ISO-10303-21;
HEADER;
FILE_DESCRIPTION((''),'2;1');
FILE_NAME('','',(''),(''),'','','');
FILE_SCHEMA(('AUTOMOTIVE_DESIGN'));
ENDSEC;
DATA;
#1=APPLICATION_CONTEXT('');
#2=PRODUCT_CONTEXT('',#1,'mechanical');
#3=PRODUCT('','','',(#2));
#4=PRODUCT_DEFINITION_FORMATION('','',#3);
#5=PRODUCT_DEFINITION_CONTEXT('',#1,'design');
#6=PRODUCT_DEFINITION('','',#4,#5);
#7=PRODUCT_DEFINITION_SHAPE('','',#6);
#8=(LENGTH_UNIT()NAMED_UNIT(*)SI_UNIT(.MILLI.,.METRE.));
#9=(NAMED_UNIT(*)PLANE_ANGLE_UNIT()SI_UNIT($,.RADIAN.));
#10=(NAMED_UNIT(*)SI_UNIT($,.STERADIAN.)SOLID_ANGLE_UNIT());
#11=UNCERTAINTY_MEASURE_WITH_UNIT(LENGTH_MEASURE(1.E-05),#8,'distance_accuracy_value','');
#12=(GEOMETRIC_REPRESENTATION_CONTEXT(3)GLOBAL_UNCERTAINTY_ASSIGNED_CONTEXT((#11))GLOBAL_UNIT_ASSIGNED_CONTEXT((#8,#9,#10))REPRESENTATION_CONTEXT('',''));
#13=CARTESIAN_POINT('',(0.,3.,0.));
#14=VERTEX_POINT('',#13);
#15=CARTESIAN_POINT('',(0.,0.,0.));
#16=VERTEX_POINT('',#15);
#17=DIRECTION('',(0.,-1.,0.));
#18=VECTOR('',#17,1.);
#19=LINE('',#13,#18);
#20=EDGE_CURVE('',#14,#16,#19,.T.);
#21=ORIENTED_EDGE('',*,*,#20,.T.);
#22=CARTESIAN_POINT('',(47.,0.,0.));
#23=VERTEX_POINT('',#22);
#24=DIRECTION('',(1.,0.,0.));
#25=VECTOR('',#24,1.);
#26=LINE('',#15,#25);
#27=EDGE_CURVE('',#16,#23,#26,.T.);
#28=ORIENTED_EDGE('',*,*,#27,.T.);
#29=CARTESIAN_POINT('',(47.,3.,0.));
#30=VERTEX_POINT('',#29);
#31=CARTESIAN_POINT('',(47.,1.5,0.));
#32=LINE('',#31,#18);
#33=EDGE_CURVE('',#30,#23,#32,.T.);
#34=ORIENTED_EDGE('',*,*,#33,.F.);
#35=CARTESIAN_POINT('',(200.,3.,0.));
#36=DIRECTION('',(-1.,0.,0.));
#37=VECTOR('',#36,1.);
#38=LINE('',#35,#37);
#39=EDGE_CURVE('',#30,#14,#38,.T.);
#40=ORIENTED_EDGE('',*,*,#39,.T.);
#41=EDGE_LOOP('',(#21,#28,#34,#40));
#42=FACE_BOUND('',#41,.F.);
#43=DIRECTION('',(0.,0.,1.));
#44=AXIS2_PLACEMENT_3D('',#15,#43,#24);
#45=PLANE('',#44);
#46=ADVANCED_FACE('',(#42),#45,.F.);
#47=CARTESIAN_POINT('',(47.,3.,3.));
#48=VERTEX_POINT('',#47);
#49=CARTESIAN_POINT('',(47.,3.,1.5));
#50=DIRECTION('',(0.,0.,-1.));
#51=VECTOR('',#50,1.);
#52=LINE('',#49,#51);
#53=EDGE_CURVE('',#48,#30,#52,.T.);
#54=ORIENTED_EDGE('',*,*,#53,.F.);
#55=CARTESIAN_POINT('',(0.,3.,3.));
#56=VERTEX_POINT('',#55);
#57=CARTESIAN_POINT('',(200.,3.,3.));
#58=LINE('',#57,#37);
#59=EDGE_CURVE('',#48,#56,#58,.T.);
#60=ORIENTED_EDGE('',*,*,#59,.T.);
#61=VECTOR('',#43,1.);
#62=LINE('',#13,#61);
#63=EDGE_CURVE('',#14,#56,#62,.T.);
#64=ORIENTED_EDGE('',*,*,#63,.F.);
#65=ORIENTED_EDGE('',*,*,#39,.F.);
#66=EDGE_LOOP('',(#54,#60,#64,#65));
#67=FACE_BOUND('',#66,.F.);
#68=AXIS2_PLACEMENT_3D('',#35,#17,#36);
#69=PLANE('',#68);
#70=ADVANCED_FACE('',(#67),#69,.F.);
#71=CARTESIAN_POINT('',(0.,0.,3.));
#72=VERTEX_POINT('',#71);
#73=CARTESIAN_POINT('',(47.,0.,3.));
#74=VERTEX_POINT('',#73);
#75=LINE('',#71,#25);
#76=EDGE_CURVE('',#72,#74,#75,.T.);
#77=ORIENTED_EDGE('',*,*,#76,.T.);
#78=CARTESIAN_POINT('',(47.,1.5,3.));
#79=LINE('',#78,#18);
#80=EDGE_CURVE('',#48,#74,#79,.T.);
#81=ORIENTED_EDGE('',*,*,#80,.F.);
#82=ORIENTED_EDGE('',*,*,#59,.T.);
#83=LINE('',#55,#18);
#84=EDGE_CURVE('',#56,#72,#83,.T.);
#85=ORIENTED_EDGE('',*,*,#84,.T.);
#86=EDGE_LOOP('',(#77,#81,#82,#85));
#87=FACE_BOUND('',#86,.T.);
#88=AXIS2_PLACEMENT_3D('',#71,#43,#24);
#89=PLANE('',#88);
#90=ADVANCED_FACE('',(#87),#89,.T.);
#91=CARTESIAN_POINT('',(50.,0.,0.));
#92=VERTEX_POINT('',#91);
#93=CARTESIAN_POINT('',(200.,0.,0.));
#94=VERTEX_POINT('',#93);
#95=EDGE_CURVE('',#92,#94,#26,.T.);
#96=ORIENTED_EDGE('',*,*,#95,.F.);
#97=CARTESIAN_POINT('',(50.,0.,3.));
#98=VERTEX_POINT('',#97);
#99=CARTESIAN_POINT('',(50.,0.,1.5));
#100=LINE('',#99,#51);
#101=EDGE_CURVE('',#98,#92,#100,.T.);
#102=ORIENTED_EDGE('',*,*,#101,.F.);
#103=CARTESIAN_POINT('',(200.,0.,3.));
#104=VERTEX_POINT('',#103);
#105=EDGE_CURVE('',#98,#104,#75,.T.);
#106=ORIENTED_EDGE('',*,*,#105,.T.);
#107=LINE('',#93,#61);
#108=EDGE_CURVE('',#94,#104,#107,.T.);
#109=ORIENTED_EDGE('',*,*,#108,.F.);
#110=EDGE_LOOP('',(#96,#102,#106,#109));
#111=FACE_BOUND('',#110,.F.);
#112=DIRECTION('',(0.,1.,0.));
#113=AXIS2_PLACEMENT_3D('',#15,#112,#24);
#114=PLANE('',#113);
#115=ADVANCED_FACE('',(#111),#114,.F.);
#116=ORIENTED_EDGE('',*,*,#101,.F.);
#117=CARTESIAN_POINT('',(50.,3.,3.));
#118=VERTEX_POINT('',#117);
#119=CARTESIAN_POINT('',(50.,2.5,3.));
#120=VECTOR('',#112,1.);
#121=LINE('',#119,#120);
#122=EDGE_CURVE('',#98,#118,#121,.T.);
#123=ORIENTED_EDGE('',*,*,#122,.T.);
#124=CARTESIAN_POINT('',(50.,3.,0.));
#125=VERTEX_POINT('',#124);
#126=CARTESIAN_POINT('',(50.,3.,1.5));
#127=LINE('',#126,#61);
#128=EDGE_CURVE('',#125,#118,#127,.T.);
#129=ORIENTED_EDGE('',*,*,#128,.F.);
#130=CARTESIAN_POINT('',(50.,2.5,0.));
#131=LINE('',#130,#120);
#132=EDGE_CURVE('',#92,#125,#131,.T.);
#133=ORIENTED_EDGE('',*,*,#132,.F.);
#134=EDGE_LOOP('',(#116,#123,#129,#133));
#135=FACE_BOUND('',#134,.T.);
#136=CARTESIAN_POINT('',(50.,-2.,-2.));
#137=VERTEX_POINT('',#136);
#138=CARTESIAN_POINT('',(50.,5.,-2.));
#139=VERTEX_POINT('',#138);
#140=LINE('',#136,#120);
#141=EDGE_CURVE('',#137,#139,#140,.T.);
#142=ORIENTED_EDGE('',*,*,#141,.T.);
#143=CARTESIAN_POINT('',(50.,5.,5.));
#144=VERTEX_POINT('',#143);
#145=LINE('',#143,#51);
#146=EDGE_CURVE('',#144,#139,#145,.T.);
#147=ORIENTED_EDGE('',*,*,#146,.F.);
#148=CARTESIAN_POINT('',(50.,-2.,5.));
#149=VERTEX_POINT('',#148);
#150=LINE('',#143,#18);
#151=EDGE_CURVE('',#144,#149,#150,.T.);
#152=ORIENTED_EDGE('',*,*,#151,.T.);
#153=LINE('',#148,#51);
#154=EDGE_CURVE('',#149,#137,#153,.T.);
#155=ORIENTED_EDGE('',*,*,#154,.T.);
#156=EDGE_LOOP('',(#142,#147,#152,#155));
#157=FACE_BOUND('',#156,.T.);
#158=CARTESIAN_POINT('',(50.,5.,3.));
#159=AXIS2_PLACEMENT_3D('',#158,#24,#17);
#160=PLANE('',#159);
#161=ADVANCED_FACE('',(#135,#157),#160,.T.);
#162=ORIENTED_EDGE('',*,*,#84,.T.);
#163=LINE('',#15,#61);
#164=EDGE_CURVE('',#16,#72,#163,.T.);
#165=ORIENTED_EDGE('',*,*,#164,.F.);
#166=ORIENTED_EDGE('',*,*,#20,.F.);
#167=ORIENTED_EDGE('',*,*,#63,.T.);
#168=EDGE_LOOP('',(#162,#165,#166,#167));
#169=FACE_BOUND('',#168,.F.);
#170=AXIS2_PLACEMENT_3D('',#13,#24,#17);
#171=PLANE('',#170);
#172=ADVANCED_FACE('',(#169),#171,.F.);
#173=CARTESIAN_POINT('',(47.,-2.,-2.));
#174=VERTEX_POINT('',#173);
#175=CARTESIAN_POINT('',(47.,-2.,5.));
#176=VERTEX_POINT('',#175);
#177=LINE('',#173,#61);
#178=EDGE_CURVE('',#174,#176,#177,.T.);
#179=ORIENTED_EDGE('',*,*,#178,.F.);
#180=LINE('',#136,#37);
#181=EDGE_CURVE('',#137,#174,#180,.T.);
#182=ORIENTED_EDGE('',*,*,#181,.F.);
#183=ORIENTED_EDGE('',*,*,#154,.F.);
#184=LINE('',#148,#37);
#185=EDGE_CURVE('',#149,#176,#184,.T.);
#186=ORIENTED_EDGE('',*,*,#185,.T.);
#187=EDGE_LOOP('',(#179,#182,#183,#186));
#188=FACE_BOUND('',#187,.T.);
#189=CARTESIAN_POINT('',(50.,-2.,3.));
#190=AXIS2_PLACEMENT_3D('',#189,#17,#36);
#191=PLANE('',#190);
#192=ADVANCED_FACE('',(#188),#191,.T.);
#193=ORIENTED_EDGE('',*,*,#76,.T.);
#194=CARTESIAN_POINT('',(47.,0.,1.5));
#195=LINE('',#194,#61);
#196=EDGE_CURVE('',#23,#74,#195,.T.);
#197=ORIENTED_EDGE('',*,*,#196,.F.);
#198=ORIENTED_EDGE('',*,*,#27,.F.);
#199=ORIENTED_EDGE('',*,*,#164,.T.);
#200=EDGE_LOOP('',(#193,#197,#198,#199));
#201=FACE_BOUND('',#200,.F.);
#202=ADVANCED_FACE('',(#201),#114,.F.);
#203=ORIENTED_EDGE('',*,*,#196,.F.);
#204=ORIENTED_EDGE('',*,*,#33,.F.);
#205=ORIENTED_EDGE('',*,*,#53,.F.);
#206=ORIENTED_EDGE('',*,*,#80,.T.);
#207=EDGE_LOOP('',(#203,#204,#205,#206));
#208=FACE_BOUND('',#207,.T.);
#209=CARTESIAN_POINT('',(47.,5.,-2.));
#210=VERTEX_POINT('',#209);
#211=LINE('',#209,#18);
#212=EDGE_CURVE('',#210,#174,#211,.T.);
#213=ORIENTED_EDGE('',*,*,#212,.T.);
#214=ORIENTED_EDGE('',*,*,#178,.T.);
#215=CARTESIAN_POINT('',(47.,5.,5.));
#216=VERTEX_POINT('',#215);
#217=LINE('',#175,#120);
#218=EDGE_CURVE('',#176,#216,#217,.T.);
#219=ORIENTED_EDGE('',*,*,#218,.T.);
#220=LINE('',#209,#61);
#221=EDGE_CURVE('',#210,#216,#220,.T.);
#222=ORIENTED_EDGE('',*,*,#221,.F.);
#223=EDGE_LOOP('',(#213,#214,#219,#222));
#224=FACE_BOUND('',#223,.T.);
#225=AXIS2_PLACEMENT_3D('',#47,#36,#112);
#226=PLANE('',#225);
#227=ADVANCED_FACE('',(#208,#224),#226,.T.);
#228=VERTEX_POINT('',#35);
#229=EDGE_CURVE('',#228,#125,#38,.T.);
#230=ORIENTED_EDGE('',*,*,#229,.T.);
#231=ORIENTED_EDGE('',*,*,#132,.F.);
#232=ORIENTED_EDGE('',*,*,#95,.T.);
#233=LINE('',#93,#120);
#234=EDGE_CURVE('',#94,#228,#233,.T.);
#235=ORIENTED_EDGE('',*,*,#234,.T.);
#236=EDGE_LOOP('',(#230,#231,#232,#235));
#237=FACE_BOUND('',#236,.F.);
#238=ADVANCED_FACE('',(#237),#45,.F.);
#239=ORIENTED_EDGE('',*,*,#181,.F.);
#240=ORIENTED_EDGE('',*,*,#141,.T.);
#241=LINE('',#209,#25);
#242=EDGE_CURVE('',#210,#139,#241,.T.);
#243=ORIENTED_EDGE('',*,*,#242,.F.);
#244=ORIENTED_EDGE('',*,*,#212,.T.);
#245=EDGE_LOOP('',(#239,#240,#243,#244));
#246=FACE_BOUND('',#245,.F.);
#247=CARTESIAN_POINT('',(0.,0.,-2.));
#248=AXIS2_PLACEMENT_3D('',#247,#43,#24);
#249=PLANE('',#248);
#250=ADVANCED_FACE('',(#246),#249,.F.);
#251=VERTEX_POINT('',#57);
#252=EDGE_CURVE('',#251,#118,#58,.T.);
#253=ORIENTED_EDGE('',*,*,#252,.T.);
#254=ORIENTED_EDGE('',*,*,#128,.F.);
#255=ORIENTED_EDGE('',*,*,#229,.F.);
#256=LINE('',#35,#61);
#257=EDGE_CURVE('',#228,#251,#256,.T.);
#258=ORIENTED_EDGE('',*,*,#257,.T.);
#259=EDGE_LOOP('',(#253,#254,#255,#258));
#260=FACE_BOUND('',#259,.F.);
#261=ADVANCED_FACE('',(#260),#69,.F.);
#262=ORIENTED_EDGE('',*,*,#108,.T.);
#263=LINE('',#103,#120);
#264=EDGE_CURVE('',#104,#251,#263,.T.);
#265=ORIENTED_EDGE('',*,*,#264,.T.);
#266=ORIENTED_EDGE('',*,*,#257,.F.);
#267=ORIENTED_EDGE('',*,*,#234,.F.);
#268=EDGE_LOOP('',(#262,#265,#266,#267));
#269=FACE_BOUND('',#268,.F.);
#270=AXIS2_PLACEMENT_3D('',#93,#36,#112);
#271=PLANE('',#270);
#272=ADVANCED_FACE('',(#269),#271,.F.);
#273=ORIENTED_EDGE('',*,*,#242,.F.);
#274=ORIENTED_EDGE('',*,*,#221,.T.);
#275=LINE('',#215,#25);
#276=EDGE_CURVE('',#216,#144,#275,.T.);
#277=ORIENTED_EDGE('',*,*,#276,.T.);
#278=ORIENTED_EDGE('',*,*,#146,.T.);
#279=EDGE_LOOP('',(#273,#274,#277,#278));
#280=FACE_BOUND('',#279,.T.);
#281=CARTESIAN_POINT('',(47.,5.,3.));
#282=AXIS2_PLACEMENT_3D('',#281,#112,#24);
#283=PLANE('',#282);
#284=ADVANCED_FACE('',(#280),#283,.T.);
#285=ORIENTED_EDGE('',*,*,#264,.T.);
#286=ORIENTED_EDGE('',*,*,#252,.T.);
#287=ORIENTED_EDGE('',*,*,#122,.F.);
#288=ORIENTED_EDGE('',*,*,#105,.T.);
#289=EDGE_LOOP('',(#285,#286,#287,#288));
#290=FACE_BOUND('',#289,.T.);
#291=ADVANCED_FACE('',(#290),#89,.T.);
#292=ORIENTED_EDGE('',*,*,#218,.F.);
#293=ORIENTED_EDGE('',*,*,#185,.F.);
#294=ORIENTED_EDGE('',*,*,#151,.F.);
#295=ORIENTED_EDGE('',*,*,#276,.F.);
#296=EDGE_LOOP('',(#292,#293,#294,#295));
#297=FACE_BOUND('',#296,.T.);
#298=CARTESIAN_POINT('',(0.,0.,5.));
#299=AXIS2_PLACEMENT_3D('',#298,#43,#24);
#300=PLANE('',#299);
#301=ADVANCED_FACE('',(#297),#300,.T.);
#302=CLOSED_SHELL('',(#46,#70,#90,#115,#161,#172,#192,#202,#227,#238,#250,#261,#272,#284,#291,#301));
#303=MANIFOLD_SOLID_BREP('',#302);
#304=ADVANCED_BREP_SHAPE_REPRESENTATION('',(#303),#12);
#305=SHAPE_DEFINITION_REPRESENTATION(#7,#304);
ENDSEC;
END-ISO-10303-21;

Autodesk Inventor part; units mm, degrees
ref_plane "YZ Plane" through (0, 0, 0) normal (1, 0, 0) x (0, 1, 0)
ref_plane "XZ Plane" through (0, 0, 0) normal (0, 1, 0) x (-1, 0, 0)
ref_plane "XY Plane" through (0, 0, 0) normal (0, 0, 1) x (1, 0, 0)
sketch "Skizze4" plane through (0, 0, 0) normal (0, 0, 1) x (1, 0, 0)
  line L0 (0, 0) -> (200, 0)
  line L1 (200, 0) -> (200, 3)
  line L2 (200, 3) -> (0, 3)
  line L3 (0, 3) -> (0, 0)
  dimension "d12" = 200
  dimension "d13" = 3
extrude "Extrusion4" add sketch "Skizze4" along normal blind 3
sketch "Skizze5" plane through (0, 0, 3) normal (0, 0, 1) x (1, 0, 0)
  line L0 (47, 5) -> (50, 5)
  line L1 (50, 5) -> (50, -2)
  line L2 (50, -2) -> (47, -2)
  line L3 (47, -2) -> (47, 5)
  line L4 (200, 0) -> (200, 3) projected
  line L5 (0, 3) -> (0, 0) projected
  line L6 (200, 3) -> (0, 3) projected
  line L7 (0, 0) -> (200, 0) projected
  dimension "d16" = 150
  dimension "d17" = 47
  dimension "d18" = 2
  dimension "d19" = 2
extrude "Extrusion5" add sketch "Skizze5" along normal blind 2 and the other way blind 5 contours L0 L1 L6 L3 | L6 L1 L7 L3 | L7 L1 L2 L3
properties part number "MiddleStick"
